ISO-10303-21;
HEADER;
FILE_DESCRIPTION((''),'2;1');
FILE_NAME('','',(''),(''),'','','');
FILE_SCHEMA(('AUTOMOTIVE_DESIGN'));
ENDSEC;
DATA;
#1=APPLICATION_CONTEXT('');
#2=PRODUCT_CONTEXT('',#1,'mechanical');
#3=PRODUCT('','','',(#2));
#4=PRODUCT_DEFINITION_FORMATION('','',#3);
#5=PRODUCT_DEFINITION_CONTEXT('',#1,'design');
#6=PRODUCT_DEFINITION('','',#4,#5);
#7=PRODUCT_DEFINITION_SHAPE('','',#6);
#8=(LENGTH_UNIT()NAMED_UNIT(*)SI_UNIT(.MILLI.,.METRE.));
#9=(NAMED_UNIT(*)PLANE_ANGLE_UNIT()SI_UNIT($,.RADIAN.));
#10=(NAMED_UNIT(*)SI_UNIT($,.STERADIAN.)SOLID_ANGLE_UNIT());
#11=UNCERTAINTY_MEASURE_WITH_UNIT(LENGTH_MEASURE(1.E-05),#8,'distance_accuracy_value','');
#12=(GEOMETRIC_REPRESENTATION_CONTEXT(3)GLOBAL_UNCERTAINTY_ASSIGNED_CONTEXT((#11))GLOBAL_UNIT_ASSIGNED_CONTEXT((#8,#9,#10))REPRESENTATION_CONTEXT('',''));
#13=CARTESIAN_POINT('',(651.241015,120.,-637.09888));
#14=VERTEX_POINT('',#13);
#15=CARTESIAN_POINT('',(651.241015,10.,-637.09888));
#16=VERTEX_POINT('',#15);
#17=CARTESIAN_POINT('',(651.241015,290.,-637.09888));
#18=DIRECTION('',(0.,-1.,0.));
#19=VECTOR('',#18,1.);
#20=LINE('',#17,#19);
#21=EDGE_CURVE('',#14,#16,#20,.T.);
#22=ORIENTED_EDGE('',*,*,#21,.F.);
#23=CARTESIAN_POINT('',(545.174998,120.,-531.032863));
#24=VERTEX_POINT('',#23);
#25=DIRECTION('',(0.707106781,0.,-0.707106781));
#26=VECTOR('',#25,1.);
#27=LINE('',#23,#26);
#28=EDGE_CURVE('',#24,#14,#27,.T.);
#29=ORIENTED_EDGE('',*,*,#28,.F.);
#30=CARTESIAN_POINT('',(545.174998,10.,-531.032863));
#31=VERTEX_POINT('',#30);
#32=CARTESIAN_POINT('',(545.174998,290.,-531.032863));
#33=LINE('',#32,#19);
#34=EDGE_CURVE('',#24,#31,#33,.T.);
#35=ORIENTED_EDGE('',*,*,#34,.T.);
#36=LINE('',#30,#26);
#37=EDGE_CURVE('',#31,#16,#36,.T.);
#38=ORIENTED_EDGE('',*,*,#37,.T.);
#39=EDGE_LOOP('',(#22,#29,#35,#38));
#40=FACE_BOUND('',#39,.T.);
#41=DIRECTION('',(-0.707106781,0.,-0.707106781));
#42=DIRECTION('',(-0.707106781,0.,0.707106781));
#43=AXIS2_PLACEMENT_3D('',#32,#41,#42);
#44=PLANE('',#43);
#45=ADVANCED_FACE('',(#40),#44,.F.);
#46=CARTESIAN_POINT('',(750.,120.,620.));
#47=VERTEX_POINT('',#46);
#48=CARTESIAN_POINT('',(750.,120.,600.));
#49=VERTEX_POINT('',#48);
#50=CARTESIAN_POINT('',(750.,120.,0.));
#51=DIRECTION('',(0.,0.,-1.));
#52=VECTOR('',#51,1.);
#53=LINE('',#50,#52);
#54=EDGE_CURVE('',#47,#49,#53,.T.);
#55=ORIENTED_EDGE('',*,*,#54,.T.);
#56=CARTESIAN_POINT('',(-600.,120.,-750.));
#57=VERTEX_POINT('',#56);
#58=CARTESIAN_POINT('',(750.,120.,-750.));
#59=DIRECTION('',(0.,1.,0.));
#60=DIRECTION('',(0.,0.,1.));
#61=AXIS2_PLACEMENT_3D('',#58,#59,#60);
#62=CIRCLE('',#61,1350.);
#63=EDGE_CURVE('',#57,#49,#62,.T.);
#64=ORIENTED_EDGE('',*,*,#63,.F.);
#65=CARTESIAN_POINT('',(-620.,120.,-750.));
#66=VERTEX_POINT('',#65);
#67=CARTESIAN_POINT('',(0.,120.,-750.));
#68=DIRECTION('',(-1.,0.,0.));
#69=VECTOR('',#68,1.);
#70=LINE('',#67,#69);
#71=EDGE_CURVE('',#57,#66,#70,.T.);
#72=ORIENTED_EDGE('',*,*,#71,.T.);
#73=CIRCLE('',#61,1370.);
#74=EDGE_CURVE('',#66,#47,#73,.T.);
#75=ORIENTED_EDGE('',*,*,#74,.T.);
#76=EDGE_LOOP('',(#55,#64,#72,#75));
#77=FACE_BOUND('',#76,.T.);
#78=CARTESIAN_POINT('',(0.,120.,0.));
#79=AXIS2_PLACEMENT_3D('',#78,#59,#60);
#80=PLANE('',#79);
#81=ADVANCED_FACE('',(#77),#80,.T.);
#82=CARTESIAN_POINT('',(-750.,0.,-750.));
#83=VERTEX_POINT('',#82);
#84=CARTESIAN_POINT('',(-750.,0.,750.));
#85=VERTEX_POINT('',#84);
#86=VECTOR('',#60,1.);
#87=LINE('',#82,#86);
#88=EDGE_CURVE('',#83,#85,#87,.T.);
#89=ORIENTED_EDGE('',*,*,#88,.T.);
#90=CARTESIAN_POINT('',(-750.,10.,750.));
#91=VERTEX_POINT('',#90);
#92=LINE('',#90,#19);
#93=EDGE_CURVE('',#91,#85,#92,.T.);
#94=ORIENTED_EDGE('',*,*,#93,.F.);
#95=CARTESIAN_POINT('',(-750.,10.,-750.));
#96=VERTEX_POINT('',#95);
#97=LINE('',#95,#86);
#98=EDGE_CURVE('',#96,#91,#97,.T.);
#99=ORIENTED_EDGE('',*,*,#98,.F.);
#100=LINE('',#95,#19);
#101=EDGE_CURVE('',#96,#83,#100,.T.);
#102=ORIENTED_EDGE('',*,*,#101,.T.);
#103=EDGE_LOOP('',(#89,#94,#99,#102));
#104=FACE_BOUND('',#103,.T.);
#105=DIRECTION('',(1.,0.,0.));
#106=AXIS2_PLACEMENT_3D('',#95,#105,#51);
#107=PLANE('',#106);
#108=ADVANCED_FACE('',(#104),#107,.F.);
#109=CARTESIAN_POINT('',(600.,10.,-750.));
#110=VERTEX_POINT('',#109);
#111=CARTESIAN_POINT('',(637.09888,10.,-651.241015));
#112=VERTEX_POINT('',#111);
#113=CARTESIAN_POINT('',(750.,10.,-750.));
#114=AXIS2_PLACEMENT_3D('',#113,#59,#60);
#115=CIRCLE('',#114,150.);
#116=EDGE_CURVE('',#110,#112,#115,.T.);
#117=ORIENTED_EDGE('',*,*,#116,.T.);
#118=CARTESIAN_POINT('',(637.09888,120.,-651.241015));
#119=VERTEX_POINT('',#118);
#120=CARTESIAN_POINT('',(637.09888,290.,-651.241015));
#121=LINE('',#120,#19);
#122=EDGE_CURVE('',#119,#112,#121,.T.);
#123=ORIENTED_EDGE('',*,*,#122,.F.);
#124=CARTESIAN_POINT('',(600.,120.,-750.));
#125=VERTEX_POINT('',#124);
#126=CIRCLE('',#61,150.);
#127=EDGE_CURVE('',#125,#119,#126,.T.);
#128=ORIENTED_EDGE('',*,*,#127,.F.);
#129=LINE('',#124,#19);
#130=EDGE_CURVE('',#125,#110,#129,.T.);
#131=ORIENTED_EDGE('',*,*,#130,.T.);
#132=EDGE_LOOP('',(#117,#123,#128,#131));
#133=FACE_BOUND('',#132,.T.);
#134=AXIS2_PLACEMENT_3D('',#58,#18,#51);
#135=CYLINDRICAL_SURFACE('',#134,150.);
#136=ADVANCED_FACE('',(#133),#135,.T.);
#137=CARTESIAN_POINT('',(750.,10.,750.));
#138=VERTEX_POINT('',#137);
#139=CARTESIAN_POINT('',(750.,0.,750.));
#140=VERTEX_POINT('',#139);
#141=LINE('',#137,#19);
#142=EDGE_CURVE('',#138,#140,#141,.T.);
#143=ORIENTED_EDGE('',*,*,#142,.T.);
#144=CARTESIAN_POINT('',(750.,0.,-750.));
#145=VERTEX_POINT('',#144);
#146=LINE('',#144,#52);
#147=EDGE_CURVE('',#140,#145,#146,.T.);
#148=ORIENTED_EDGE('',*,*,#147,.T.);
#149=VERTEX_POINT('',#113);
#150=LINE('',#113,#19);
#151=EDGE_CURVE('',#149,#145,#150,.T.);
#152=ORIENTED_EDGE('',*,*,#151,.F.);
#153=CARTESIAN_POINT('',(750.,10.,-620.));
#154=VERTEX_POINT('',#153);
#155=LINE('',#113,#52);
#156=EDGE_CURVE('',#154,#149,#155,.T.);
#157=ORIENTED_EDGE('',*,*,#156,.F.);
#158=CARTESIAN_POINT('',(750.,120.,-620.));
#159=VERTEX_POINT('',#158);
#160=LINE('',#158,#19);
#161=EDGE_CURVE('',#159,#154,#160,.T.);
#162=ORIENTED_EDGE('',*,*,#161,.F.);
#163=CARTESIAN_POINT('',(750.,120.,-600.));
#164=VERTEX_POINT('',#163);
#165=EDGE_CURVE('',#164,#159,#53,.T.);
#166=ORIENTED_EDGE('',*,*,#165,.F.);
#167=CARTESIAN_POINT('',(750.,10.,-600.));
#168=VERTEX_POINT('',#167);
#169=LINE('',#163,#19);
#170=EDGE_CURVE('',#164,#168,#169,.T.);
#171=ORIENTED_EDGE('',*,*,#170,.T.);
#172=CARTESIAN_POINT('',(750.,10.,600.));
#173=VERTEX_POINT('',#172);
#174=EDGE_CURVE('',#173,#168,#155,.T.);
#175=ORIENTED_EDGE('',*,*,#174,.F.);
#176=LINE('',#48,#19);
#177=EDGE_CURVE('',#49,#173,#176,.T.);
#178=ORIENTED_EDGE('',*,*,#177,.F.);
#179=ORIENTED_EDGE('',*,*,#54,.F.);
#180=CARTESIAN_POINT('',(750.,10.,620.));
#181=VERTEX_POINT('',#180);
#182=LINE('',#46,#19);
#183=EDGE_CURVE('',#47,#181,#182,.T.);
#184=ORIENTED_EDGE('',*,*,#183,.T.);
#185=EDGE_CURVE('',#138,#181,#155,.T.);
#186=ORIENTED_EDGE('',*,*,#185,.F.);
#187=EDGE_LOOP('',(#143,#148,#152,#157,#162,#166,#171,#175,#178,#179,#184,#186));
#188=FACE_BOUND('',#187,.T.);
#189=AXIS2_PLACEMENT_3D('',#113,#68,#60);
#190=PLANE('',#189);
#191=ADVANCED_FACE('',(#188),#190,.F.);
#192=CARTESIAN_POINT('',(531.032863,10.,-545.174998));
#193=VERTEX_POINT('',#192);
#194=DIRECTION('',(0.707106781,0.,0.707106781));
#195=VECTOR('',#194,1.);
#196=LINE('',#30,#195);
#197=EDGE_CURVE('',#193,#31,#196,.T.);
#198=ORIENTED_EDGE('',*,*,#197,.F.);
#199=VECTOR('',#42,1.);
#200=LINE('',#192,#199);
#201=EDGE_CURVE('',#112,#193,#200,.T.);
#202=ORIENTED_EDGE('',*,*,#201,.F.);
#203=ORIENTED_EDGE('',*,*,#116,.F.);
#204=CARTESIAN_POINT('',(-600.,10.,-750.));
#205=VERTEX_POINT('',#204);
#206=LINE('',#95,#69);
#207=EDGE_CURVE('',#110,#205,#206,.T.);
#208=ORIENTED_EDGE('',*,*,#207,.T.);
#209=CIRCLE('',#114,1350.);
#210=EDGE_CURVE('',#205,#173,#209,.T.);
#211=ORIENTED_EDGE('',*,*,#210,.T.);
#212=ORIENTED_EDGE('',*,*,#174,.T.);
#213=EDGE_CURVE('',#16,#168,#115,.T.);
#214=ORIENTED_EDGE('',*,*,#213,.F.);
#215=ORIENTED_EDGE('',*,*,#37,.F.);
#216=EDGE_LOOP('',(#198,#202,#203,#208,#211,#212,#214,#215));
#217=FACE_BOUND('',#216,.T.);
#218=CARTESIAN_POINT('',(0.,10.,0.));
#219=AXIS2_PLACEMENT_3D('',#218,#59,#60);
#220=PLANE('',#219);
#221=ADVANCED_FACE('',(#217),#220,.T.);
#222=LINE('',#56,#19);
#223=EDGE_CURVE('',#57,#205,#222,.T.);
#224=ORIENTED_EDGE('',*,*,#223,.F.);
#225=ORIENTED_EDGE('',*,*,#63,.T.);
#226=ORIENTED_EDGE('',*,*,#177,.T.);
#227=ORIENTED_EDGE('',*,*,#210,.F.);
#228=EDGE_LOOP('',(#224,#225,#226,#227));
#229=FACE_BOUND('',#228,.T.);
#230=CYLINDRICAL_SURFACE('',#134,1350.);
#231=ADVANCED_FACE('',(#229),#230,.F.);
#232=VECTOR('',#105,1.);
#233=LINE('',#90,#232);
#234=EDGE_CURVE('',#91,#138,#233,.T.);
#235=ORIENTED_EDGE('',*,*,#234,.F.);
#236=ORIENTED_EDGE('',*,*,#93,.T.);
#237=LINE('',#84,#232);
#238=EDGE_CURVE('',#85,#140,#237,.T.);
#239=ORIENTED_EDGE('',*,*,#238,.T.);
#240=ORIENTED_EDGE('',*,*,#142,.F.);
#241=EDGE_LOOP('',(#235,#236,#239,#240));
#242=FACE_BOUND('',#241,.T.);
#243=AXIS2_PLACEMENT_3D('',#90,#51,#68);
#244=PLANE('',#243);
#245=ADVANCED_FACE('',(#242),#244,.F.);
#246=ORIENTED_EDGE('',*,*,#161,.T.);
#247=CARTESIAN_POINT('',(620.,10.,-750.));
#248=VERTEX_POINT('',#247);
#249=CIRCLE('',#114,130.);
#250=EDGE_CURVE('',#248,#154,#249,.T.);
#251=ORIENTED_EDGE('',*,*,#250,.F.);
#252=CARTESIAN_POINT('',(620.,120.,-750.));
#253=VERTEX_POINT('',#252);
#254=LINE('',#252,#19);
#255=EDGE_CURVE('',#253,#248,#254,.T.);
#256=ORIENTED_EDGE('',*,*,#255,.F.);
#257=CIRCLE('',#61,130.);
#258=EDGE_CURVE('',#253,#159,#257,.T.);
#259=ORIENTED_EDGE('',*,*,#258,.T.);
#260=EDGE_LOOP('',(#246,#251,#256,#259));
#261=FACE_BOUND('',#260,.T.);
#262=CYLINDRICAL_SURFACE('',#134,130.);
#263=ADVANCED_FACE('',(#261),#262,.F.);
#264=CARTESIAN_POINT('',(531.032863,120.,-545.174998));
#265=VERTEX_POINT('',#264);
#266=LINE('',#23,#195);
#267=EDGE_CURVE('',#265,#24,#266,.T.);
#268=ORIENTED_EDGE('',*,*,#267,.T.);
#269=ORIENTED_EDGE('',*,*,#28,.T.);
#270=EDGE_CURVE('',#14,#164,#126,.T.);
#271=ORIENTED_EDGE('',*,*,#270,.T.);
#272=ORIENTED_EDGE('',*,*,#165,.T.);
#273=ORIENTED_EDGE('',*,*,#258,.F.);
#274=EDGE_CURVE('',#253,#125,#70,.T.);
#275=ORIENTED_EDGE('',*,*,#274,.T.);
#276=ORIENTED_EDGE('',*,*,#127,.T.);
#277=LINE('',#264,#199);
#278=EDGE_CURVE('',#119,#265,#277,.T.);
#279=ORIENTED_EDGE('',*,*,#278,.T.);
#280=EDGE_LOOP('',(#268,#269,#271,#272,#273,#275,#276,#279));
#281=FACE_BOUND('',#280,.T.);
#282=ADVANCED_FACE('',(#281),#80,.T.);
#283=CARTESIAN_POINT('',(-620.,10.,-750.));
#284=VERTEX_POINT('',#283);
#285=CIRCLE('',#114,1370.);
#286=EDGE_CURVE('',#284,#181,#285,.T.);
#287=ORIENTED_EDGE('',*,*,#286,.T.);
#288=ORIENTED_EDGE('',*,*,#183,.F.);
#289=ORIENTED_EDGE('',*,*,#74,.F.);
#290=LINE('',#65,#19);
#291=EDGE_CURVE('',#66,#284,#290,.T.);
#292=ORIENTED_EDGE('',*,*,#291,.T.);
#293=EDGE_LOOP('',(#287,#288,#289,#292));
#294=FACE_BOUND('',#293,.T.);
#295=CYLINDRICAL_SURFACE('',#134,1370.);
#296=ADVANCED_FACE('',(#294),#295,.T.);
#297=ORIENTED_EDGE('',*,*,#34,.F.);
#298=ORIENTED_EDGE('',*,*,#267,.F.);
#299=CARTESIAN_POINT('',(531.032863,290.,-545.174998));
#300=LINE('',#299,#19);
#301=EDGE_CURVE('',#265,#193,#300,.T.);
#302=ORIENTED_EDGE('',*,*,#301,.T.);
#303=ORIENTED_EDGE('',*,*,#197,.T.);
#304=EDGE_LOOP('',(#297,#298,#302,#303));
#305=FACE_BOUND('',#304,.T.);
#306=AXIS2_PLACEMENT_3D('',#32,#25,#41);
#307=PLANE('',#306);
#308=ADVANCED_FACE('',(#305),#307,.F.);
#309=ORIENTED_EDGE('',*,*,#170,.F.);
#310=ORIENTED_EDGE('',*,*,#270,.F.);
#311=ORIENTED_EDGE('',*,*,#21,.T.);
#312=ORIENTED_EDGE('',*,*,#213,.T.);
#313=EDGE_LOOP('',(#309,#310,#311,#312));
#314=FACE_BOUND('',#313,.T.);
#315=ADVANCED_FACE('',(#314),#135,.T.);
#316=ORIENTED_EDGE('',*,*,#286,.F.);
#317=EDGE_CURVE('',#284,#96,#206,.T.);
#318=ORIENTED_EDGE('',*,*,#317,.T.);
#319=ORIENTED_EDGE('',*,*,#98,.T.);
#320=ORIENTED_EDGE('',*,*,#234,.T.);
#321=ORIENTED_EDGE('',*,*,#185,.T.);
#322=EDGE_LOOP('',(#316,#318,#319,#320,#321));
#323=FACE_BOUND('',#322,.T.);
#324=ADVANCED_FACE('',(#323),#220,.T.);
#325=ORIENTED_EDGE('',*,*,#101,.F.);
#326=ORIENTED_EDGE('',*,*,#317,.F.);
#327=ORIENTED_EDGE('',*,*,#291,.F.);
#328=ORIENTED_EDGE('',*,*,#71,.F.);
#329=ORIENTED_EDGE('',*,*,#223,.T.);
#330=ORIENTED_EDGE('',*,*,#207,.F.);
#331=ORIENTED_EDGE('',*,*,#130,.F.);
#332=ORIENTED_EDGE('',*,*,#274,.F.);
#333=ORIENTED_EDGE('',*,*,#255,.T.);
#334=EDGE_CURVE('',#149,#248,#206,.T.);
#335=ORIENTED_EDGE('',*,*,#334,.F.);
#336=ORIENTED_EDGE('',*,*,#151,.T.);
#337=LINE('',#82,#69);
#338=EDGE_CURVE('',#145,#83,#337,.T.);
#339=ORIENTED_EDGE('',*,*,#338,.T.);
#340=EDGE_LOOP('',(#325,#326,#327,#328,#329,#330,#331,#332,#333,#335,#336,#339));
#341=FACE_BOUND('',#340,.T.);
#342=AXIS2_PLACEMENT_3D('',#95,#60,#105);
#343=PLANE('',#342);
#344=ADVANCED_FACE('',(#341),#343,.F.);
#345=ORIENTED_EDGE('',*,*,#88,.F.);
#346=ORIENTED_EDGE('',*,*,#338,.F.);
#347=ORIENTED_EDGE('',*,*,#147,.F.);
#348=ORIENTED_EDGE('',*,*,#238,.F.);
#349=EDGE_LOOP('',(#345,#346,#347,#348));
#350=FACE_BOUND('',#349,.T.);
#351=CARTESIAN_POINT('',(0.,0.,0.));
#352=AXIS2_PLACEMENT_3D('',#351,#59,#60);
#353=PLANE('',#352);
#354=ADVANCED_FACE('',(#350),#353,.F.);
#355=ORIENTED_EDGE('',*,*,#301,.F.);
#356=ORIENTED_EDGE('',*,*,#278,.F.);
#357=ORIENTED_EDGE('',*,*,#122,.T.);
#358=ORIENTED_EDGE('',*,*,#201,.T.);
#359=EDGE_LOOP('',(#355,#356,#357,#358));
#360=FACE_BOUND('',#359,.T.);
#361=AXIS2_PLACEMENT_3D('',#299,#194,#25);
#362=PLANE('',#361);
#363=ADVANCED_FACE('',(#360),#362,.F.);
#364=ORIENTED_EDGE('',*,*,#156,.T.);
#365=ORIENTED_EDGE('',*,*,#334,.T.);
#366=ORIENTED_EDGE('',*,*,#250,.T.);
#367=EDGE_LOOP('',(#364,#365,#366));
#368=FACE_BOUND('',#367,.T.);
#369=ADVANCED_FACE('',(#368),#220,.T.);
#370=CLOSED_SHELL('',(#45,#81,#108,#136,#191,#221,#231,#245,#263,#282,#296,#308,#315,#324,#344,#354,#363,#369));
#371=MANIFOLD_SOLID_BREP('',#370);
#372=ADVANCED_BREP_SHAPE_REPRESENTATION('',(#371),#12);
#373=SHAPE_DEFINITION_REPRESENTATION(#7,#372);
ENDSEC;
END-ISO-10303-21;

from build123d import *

# Parameters (mm, degrees)
SKETCH2_W           = 1500
SKETCH2_H           = 1500
BOSS_EXTRUDE1_DEPTH = 10
BOSS_EXTRUDE2_DEPTH = 110
BOSS_EXTRUDE3_DEPTH = 110


with BuildPart() as part:
    # Sketch2 → Boss-Extrude1 (new body)
    with BuildSketch(Plane(origin=(0, 0, 0), x_dir=(1, 0, 0), z_dir=(0, 1, 0))):
        Rectangle(SKETCH2_W, SKETCH2_H)
    extrude(amount=BOSS_EXTRUDE1_DEPTH)

    # Sketch3 → Boss-Extrude2 (add)
    with BuildSketch(Plane(origin=(0, 10, 0), x_dir=(1, 0, 0), z_dir=(0, 1, 0))):
        with BuildLine():
            ThreePointArc((750, -600), (-204.594154602, -204.594154602), (-600, 750))
            Line((-600, 750), (-620, 750))
            ThreePointArc((-620, 750), (-218.736290226, -218.736290226), (750, -620))
            Line((750, -620), (750, -600))
        make_face()
        with BuildLine():
            Line((620, 750), (600, 750))
            ThreePointArc((600, 750), (643.933982822, 643.933982822), (750, 600))
            Line((750, 600), (750, 620))
            ThreePointArc((750, 620), (658.076118446, 658.076118446), (620, 750))
        make_face()
    extrude(amount=BOSS_EXTRUDE2_DEPTH)

    # Sketch4 → Boss-Extrude3 (add)
    with BuildSketch(Plane(origin=(0, 10, 0), x_dir=(1, 0, 0), z_dir=(0, 1, 0))):
        Polygon((545.174998191, 531.032862568), (651.241015369, 637.098879746), (637.098879746, 651.241015369), (531.032862568, 545.174998191), align=None)
    extrude(amount=BOSS_EXTRUDE3_DEPTH)


solid = part.part
